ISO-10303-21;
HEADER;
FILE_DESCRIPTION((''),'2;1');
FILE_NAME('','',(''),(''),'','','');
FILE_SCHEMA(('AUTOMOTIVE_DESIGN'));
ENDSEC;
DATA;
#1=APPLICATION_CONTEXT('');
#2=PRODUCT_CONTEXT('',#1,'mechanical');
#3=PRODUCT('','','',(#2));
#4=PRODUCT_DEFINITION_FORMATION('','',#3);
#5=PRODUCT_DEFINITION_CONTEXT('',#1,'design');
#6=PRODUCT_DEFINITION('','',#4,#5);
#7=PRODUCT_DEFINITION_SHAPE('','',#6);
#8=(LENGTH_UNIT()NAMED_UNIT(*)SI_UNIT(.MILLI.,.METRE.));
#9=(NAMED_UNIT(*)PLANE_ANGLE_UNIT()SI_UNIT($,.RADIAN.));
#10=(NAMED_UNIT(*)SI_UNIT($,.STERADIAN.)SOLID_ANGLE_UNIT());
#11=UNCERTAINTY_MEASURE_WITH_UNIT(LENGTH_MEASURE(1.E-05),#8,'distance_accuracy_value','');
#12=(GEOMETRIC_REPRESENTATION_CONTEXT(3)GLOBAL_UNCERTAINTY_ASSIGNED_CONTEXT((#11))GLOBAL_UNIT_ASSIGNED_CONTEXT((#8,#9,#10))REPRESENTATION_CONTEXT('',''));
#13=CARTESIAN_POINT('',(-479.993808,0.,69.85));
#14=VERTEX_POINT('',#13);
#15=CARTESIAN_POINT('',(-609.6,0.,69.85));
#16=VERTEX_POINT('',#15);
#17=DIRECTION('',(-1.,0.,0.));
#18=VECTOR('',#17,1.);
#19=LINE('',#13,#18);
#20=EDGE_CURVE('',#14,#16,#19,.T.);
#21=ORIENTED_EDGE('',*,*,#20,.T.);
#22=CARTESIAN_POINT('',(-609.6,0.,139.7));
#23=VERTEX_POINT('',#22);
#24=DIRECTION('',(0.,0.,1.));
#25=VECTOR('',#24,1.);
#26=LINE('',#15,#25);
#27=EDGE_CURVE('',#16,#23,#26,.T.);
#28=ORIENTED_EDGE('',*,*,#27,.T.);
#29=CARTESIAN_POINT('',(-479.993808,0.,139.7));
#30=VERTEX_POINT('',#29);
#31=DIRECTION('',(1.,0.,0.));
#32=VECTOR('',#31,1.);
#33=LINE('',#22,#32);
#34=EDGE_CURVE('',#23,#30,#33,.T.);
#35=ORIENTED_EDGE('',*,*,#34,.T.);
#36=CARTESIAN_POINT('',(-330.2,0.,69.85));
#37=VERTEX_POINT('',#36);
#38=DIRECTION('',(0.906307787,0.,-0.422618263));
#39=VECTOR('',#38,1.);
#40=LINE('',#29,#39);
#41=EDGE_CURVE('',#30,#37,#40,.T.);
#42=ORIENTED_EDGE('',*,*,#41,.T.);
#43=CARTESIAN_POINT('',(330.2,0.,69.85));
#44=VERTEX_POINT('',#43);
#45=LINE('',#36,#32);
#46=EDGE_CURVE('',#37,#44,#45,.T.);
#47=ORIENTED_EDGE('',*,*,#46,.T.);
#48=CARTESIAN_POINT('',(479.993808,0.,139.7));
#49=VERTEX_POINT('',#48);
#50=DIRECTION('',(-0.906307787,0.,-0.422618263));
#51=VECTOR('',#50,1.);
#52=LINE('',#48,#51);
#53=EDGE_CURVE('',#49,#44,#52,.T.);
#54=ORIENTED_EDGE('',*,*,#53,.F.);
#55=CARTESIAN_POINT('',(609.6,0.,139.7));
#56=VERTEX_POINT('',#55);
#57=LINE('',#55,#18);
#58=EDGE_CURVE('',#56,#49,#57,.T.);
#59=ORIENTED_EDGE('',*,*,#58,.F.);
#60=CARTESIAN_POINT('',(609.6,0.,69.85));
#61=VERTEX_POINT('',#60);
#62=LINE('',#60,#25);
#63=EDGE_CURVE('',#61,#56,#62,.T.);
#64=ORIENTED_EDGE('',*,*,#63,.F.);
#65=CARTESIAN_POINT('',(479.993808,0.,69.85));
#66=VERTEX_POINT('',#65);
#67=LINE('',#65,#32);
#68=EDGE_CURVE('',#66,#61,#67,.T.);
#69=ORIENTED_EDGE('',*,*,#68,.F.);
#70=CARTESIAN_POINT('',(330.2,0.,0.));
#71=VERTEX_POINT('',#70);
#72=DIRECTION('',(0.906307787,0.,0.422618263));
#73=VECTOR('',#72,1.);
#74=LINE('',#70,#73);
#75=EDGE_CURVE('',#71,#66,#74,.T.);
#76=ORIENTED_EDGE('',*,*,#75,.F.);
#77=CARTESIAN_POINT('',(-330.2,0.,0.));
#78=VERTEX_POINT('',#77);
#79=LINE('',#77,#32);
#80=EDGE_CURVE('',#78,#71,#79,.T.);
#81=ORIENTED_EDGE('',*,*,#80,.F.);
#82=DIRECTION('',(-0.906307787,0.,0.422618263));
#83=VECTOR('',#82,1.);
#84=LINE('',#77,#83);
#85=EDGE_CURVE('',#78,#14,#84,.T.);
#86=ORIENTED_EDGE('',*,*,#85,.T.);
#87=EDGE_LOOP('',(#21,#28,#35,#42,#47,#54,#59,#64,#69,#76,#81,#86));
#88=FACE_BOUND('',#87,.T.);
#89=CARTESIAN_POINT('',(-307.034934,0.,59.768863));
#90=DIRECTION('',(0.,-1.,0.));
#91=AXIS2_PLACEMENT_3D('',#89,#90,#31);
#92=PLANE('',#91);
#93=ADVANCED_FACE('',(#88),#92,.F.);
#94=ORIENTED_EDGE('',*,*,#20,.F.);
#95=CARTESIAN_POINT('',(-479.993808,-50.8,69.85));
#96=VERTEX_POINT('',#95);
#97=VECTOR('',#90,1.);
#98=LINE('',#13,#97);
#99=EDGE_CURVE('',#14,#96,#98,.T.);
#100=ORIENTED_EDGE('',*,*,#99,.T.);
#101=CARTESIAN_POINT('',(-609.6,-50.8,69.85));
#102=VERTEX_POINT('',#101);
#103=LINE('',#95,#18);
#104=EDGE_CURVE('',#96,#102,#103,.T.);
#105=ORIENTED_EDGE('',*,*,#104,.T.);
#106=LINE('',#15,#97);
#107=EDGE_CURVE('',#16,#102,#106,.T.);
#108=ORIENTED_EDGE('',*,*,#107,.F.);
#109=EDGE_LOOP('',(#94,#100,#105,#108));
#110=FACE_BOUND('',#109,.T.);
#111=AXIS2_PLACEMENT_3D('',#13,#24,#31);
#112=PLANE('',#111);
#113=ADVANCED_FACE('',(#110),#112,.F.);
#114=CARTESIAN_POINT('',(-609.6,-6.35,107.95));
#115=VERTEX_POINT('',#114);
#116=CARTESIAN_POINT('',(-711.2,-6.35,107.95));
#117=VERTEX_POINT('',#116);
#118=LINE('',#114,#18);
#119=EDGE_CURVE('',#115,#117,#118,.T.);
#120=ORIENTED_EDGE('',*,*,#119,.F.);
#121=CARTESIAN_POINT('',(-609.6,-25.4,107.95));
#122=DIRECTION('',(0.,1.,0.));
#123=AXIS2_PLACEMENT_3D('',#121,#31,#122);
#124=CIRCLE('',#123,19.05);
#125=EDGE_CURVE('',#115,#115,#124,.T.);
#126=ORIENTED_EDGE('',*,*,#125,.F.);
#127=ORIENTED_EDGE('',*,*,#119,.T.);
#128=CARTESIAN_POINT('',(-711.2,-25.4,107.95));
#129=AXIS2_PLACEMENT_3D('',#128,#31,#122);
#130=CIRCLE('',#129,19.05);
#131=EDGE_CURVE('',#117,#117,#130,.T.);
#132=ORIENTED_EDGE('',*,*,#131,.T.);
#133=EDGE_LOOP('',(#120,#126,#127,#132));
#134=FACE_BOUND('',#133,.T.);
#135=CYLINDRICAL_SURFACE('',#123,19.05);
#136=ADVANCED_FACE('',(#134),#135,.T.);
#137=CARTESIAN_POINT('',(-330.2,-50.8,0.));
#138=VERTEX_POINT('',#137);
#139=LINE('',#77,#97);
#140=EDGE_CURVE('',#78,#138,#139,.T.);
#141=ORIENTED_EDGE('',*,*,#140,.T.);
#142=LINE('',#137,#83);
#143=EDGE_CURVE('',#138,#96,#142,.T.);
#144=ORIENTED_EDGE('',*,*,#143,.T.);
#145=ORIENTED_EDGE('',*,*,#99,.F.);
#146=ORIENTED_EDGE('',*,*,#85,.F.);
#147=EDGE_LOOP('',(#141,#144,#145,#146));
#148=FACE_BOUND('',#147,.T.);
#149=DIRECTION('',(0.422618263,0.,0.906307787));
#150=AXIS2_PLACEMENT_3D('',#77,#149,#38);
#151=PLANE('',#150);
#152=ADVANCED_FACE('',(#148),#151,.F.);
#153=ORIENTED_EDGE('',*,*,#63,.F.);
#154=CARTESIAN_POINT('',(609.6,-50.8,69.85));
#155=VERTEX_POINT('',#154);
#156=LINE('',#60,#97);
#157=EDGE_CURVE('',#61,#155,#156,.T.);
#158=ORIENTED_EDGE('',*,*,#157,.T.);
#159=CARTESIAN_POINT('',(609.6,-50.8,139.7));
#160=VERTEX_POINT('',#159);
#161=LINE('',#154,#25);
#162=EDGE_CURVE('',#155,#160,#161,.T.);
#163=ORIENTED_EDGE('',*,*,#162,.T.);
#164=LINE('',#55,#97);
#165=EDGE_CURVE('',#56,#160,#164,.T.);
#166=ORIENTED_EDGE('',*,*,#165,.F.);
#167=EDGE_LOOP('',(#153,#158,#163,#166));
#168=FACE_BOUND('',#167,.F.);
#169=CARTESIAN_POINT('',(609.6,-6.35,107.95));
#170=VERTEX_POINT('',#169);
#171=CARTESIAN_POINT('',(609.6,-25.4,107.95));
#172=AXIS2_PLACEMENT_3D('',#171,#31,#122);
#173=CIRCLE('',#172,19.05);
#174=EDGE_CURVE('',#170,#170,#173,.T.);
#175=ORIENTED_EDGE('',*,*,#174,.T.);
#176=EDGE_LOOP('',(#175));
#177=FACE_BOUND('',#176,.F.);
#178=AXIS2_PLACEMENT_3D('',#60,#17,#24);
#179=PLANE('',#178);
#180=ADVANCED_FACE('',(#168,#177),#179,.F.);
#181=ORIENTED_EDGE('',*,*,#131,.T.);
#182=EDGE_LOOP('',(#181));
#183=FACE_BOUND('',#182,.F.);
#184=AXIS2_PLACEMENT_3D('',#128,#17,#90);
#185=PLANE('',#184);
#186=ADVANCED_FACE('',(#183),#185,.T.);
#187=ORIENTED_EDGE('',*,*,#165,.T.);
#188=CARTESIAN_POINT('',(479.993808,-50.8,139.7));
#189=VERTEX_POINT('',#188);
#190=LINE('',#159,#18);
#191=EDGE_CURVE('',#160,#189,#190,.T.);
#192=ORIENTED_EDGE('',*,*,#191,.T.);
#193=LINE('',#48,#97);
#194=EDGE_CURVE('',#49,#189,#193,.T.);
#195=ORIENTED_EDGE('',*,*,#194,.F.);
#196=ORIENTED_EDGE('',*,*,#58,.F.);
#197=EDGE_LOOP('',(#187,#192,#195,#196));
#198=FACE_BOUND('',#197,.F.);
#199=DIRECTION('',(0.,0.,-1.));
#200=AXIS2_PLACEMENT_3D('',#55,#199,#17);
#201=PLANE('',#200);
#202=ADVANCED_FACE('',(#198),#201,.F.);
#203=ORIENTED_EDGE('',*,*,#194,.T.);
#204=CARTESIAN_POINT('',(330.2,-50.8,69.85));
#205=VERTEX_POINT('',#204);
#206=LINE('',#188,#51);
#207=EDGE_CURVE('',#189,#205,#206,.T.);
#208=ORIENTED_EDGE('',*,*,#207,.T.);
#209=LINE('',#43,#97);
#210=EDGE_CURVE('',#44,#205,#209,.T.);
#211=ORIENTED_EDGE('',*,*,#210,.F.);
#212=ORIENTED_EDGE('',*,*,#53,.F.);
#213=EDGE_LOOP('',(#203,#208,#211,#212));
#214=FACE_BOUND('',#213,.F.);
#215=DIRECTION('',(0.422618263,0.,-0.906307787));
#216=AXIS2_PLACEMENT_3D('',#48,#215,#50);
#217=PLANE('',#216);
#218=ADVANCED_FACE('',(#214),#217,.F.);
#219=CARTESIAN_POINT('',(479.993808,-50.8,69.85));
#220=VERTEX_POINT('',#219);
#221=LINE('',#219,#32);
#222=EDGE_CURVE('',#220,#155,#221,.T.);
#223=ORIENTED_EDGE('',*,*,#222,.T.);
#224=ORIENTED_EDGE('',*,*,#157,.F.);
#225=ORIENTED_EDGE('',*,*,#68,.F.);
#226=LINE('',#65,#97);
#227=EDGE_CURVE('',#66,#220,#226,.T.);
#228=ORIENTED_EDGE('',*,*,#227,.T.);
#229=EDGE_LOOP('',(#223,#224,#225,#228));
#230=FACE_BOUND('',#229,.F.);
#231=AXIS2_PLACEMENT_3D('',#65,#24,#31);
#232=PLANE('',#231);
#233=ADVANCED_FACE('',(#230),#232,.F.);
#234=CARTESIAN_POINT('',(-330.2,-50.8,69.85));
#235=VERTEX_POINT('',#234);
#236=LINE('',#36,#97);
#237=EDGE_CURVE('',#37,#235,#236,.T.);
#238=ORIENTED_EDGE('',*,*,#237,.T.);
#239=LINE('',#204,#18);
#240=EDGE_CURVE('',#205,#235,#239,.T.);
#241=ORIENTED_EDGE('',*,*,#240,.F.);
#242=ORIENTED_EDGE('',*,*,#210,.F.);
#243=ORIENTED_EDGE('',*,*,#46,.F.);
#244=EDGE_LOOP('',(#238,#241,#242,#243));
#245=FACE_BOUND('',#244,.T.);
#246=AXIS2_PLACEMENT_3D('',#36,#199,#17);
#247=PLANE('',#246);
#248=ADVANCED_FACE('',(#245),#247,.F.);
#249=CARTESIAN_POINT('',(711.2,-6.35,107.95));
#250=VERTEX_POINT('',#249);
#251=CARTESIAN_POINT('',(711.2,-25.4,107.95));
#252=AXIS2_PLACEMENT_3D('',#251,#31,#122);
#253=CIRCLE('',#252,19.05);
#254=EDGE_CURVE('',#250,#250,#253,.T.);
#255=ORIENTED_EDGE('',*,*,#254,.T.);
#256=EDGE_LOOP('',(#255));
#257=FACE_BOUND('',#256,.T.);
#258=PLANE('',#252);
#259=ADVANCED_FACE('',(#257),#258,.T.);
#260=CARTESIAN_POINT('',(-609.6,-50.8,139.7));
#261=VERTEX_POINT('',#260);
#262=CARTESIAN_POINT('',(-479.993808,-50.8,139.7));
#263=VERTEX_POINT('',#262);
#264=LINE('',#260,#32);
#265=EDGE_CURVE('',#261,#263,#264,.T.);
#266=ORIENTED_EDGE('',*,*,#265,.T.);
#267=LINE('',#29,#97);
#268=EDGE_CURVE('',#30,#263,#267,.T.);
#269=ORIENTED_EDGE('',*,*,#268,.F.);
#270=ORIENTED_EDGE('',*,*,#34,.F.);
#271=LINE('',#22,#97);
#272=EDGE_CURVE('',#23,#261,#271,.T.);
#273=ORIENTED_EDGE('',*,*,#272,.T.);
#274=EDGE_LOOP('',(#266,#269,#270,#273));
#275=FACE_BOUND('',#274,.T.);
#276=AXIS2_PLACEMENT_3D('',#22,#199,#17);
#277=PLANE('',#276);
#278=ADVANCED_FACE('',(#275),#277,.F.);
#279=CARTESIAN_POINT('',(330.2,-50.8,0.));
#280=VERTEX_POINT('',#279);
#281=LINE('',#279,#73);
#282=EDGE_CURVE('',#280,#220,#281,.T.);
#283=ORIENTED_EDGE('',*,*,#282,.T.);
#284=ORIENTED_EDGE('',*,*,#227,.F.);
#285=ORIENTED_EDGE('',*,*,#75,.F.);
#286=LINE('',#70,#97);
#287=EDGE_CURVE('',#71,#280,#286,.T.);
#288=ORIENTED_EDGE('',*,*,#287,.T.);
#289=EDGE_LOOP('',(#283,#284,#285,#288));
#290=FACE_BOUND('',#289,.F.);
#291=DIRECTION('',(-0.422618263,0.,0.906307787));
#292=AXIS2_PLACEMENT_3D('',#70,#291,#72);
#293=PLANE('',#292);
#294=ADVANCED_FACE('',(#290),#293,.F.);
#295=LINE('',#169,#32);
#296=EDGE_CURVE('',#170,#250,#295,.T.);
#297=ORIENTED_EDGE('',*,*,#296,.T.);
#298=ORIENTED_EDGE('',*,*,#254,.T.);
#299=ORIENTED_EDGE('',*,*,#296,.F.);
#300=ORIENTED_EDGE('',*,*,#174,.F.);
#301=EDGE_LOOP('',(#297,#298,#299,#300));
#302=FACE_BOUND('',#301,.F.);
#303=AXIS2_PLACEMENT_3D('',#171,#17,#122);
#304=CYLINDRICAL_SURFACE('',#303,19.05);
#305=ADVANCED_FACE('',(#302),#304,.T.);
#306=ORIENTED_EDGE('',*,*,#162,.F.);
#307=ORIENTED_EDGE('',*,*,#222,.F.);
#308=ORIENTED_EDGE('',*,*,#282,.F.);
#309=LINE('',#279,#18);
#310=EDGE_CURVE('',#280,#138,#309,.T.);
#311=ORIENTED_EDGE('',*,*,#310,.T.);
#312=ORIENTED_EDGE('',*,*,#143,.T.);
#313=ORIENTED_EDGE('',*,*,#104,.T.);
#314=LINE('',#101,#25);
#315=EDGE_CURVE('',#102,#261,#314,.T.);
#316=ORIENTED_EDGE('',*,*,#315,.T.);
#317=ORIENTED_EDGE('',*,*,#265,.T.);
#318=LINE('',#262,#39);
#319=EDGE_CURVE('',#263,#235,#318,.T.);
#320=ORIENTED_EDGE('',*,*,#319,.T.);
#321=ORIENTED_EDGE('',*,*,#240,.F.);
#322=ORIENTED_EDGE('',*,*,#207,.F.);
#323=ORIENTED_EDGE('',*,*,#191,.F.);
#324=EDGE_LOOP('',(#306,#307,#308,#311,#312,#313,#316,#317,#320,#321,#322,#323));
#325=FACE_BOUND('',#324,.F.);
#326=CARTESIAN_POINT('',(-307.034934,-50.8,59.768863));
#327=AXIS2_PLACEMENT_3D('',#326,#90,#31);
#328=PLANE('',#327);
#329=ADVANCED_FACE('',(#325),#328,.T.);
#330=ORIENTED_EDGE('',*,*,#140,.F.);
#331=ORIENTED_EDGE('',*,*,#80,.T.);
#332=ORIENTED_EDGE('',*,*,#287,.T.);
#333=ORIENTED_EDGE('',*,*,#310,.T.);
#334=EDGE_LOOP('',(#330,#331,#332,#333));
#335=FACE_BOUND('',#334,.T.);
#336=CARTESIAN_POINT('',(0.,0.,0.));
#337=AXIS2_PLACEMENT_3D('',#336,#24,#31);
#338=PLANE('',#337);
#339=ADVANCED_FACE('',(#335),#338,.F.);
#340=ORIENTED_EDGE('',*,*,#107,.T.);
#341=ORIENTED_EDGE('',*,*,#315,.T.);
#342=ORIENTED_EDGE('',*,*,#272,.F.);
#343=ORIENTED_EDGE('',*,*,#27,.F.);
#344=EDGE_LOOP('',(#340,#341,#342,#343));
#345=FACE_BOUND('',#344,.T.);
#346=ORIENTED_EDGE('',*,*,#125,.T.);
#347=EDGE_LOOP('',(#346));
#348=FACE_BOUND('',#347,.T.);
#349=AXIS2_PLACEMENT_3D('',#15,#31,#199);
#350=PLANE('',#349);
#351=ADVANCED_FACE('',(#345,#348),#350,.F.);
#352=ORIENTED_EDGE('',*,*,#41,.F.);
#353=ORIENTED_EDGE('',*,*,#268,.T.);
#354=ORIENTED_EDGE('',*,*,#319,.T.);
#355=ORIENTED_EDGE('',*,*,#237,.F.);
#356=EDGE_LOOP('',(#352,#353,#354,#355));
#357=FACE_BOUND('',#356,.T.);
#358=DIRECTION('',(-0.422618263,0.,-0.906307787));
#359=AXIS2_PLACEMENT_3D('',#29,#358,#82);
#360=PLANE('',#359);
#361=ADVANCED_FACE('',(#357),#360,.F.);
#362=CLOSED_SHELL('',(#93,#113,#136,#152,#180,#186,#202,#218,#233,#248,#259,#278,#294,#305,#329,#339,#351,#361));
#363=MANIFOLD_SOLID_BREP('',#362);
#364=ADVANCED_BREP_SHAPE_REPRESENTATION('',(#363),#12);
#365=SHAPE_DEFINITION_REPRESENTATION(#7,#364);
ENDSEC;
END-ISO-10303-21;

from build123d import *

# Parameters (mm, degrees)
F1_DEPTH = 50.8
F3_R     = 19.05
F4_DEPTH = 101.6


with BuildPart() as f1:
    # F0 (on Front) → F1 (new body)
    with BuildSketch(Plane.XZ):
        Polygon((0, 69.85), (0, 0), (330.2, 0), (479.993808, 69.85), (609.6, 69.85), (609.6, 139.7), (479.993808, 139.7), (330.2, 69.85), align=None)
    extrude(amount=F1_DEPTH)

    # F2: F1 across plane


with BuildPart() as f1_1:
    add(f1.part)
    add(f1.part.mirror(Plane.YZ))

    # F3 (on face) → F4 (join)
    with BuildSketch(Plane.YZ.offset(609.6)):
        with Locations((-25.4, 107.95)):
            Circle(F3_R)
    extrude(amount=F4_DEPTH)

    # F5: F1 across plane


with BuildPart() as f1_2:
    add(f1_1.part)
    add(f1_1.part.mirror(Plane.YZ))


solid = f1_2.part
